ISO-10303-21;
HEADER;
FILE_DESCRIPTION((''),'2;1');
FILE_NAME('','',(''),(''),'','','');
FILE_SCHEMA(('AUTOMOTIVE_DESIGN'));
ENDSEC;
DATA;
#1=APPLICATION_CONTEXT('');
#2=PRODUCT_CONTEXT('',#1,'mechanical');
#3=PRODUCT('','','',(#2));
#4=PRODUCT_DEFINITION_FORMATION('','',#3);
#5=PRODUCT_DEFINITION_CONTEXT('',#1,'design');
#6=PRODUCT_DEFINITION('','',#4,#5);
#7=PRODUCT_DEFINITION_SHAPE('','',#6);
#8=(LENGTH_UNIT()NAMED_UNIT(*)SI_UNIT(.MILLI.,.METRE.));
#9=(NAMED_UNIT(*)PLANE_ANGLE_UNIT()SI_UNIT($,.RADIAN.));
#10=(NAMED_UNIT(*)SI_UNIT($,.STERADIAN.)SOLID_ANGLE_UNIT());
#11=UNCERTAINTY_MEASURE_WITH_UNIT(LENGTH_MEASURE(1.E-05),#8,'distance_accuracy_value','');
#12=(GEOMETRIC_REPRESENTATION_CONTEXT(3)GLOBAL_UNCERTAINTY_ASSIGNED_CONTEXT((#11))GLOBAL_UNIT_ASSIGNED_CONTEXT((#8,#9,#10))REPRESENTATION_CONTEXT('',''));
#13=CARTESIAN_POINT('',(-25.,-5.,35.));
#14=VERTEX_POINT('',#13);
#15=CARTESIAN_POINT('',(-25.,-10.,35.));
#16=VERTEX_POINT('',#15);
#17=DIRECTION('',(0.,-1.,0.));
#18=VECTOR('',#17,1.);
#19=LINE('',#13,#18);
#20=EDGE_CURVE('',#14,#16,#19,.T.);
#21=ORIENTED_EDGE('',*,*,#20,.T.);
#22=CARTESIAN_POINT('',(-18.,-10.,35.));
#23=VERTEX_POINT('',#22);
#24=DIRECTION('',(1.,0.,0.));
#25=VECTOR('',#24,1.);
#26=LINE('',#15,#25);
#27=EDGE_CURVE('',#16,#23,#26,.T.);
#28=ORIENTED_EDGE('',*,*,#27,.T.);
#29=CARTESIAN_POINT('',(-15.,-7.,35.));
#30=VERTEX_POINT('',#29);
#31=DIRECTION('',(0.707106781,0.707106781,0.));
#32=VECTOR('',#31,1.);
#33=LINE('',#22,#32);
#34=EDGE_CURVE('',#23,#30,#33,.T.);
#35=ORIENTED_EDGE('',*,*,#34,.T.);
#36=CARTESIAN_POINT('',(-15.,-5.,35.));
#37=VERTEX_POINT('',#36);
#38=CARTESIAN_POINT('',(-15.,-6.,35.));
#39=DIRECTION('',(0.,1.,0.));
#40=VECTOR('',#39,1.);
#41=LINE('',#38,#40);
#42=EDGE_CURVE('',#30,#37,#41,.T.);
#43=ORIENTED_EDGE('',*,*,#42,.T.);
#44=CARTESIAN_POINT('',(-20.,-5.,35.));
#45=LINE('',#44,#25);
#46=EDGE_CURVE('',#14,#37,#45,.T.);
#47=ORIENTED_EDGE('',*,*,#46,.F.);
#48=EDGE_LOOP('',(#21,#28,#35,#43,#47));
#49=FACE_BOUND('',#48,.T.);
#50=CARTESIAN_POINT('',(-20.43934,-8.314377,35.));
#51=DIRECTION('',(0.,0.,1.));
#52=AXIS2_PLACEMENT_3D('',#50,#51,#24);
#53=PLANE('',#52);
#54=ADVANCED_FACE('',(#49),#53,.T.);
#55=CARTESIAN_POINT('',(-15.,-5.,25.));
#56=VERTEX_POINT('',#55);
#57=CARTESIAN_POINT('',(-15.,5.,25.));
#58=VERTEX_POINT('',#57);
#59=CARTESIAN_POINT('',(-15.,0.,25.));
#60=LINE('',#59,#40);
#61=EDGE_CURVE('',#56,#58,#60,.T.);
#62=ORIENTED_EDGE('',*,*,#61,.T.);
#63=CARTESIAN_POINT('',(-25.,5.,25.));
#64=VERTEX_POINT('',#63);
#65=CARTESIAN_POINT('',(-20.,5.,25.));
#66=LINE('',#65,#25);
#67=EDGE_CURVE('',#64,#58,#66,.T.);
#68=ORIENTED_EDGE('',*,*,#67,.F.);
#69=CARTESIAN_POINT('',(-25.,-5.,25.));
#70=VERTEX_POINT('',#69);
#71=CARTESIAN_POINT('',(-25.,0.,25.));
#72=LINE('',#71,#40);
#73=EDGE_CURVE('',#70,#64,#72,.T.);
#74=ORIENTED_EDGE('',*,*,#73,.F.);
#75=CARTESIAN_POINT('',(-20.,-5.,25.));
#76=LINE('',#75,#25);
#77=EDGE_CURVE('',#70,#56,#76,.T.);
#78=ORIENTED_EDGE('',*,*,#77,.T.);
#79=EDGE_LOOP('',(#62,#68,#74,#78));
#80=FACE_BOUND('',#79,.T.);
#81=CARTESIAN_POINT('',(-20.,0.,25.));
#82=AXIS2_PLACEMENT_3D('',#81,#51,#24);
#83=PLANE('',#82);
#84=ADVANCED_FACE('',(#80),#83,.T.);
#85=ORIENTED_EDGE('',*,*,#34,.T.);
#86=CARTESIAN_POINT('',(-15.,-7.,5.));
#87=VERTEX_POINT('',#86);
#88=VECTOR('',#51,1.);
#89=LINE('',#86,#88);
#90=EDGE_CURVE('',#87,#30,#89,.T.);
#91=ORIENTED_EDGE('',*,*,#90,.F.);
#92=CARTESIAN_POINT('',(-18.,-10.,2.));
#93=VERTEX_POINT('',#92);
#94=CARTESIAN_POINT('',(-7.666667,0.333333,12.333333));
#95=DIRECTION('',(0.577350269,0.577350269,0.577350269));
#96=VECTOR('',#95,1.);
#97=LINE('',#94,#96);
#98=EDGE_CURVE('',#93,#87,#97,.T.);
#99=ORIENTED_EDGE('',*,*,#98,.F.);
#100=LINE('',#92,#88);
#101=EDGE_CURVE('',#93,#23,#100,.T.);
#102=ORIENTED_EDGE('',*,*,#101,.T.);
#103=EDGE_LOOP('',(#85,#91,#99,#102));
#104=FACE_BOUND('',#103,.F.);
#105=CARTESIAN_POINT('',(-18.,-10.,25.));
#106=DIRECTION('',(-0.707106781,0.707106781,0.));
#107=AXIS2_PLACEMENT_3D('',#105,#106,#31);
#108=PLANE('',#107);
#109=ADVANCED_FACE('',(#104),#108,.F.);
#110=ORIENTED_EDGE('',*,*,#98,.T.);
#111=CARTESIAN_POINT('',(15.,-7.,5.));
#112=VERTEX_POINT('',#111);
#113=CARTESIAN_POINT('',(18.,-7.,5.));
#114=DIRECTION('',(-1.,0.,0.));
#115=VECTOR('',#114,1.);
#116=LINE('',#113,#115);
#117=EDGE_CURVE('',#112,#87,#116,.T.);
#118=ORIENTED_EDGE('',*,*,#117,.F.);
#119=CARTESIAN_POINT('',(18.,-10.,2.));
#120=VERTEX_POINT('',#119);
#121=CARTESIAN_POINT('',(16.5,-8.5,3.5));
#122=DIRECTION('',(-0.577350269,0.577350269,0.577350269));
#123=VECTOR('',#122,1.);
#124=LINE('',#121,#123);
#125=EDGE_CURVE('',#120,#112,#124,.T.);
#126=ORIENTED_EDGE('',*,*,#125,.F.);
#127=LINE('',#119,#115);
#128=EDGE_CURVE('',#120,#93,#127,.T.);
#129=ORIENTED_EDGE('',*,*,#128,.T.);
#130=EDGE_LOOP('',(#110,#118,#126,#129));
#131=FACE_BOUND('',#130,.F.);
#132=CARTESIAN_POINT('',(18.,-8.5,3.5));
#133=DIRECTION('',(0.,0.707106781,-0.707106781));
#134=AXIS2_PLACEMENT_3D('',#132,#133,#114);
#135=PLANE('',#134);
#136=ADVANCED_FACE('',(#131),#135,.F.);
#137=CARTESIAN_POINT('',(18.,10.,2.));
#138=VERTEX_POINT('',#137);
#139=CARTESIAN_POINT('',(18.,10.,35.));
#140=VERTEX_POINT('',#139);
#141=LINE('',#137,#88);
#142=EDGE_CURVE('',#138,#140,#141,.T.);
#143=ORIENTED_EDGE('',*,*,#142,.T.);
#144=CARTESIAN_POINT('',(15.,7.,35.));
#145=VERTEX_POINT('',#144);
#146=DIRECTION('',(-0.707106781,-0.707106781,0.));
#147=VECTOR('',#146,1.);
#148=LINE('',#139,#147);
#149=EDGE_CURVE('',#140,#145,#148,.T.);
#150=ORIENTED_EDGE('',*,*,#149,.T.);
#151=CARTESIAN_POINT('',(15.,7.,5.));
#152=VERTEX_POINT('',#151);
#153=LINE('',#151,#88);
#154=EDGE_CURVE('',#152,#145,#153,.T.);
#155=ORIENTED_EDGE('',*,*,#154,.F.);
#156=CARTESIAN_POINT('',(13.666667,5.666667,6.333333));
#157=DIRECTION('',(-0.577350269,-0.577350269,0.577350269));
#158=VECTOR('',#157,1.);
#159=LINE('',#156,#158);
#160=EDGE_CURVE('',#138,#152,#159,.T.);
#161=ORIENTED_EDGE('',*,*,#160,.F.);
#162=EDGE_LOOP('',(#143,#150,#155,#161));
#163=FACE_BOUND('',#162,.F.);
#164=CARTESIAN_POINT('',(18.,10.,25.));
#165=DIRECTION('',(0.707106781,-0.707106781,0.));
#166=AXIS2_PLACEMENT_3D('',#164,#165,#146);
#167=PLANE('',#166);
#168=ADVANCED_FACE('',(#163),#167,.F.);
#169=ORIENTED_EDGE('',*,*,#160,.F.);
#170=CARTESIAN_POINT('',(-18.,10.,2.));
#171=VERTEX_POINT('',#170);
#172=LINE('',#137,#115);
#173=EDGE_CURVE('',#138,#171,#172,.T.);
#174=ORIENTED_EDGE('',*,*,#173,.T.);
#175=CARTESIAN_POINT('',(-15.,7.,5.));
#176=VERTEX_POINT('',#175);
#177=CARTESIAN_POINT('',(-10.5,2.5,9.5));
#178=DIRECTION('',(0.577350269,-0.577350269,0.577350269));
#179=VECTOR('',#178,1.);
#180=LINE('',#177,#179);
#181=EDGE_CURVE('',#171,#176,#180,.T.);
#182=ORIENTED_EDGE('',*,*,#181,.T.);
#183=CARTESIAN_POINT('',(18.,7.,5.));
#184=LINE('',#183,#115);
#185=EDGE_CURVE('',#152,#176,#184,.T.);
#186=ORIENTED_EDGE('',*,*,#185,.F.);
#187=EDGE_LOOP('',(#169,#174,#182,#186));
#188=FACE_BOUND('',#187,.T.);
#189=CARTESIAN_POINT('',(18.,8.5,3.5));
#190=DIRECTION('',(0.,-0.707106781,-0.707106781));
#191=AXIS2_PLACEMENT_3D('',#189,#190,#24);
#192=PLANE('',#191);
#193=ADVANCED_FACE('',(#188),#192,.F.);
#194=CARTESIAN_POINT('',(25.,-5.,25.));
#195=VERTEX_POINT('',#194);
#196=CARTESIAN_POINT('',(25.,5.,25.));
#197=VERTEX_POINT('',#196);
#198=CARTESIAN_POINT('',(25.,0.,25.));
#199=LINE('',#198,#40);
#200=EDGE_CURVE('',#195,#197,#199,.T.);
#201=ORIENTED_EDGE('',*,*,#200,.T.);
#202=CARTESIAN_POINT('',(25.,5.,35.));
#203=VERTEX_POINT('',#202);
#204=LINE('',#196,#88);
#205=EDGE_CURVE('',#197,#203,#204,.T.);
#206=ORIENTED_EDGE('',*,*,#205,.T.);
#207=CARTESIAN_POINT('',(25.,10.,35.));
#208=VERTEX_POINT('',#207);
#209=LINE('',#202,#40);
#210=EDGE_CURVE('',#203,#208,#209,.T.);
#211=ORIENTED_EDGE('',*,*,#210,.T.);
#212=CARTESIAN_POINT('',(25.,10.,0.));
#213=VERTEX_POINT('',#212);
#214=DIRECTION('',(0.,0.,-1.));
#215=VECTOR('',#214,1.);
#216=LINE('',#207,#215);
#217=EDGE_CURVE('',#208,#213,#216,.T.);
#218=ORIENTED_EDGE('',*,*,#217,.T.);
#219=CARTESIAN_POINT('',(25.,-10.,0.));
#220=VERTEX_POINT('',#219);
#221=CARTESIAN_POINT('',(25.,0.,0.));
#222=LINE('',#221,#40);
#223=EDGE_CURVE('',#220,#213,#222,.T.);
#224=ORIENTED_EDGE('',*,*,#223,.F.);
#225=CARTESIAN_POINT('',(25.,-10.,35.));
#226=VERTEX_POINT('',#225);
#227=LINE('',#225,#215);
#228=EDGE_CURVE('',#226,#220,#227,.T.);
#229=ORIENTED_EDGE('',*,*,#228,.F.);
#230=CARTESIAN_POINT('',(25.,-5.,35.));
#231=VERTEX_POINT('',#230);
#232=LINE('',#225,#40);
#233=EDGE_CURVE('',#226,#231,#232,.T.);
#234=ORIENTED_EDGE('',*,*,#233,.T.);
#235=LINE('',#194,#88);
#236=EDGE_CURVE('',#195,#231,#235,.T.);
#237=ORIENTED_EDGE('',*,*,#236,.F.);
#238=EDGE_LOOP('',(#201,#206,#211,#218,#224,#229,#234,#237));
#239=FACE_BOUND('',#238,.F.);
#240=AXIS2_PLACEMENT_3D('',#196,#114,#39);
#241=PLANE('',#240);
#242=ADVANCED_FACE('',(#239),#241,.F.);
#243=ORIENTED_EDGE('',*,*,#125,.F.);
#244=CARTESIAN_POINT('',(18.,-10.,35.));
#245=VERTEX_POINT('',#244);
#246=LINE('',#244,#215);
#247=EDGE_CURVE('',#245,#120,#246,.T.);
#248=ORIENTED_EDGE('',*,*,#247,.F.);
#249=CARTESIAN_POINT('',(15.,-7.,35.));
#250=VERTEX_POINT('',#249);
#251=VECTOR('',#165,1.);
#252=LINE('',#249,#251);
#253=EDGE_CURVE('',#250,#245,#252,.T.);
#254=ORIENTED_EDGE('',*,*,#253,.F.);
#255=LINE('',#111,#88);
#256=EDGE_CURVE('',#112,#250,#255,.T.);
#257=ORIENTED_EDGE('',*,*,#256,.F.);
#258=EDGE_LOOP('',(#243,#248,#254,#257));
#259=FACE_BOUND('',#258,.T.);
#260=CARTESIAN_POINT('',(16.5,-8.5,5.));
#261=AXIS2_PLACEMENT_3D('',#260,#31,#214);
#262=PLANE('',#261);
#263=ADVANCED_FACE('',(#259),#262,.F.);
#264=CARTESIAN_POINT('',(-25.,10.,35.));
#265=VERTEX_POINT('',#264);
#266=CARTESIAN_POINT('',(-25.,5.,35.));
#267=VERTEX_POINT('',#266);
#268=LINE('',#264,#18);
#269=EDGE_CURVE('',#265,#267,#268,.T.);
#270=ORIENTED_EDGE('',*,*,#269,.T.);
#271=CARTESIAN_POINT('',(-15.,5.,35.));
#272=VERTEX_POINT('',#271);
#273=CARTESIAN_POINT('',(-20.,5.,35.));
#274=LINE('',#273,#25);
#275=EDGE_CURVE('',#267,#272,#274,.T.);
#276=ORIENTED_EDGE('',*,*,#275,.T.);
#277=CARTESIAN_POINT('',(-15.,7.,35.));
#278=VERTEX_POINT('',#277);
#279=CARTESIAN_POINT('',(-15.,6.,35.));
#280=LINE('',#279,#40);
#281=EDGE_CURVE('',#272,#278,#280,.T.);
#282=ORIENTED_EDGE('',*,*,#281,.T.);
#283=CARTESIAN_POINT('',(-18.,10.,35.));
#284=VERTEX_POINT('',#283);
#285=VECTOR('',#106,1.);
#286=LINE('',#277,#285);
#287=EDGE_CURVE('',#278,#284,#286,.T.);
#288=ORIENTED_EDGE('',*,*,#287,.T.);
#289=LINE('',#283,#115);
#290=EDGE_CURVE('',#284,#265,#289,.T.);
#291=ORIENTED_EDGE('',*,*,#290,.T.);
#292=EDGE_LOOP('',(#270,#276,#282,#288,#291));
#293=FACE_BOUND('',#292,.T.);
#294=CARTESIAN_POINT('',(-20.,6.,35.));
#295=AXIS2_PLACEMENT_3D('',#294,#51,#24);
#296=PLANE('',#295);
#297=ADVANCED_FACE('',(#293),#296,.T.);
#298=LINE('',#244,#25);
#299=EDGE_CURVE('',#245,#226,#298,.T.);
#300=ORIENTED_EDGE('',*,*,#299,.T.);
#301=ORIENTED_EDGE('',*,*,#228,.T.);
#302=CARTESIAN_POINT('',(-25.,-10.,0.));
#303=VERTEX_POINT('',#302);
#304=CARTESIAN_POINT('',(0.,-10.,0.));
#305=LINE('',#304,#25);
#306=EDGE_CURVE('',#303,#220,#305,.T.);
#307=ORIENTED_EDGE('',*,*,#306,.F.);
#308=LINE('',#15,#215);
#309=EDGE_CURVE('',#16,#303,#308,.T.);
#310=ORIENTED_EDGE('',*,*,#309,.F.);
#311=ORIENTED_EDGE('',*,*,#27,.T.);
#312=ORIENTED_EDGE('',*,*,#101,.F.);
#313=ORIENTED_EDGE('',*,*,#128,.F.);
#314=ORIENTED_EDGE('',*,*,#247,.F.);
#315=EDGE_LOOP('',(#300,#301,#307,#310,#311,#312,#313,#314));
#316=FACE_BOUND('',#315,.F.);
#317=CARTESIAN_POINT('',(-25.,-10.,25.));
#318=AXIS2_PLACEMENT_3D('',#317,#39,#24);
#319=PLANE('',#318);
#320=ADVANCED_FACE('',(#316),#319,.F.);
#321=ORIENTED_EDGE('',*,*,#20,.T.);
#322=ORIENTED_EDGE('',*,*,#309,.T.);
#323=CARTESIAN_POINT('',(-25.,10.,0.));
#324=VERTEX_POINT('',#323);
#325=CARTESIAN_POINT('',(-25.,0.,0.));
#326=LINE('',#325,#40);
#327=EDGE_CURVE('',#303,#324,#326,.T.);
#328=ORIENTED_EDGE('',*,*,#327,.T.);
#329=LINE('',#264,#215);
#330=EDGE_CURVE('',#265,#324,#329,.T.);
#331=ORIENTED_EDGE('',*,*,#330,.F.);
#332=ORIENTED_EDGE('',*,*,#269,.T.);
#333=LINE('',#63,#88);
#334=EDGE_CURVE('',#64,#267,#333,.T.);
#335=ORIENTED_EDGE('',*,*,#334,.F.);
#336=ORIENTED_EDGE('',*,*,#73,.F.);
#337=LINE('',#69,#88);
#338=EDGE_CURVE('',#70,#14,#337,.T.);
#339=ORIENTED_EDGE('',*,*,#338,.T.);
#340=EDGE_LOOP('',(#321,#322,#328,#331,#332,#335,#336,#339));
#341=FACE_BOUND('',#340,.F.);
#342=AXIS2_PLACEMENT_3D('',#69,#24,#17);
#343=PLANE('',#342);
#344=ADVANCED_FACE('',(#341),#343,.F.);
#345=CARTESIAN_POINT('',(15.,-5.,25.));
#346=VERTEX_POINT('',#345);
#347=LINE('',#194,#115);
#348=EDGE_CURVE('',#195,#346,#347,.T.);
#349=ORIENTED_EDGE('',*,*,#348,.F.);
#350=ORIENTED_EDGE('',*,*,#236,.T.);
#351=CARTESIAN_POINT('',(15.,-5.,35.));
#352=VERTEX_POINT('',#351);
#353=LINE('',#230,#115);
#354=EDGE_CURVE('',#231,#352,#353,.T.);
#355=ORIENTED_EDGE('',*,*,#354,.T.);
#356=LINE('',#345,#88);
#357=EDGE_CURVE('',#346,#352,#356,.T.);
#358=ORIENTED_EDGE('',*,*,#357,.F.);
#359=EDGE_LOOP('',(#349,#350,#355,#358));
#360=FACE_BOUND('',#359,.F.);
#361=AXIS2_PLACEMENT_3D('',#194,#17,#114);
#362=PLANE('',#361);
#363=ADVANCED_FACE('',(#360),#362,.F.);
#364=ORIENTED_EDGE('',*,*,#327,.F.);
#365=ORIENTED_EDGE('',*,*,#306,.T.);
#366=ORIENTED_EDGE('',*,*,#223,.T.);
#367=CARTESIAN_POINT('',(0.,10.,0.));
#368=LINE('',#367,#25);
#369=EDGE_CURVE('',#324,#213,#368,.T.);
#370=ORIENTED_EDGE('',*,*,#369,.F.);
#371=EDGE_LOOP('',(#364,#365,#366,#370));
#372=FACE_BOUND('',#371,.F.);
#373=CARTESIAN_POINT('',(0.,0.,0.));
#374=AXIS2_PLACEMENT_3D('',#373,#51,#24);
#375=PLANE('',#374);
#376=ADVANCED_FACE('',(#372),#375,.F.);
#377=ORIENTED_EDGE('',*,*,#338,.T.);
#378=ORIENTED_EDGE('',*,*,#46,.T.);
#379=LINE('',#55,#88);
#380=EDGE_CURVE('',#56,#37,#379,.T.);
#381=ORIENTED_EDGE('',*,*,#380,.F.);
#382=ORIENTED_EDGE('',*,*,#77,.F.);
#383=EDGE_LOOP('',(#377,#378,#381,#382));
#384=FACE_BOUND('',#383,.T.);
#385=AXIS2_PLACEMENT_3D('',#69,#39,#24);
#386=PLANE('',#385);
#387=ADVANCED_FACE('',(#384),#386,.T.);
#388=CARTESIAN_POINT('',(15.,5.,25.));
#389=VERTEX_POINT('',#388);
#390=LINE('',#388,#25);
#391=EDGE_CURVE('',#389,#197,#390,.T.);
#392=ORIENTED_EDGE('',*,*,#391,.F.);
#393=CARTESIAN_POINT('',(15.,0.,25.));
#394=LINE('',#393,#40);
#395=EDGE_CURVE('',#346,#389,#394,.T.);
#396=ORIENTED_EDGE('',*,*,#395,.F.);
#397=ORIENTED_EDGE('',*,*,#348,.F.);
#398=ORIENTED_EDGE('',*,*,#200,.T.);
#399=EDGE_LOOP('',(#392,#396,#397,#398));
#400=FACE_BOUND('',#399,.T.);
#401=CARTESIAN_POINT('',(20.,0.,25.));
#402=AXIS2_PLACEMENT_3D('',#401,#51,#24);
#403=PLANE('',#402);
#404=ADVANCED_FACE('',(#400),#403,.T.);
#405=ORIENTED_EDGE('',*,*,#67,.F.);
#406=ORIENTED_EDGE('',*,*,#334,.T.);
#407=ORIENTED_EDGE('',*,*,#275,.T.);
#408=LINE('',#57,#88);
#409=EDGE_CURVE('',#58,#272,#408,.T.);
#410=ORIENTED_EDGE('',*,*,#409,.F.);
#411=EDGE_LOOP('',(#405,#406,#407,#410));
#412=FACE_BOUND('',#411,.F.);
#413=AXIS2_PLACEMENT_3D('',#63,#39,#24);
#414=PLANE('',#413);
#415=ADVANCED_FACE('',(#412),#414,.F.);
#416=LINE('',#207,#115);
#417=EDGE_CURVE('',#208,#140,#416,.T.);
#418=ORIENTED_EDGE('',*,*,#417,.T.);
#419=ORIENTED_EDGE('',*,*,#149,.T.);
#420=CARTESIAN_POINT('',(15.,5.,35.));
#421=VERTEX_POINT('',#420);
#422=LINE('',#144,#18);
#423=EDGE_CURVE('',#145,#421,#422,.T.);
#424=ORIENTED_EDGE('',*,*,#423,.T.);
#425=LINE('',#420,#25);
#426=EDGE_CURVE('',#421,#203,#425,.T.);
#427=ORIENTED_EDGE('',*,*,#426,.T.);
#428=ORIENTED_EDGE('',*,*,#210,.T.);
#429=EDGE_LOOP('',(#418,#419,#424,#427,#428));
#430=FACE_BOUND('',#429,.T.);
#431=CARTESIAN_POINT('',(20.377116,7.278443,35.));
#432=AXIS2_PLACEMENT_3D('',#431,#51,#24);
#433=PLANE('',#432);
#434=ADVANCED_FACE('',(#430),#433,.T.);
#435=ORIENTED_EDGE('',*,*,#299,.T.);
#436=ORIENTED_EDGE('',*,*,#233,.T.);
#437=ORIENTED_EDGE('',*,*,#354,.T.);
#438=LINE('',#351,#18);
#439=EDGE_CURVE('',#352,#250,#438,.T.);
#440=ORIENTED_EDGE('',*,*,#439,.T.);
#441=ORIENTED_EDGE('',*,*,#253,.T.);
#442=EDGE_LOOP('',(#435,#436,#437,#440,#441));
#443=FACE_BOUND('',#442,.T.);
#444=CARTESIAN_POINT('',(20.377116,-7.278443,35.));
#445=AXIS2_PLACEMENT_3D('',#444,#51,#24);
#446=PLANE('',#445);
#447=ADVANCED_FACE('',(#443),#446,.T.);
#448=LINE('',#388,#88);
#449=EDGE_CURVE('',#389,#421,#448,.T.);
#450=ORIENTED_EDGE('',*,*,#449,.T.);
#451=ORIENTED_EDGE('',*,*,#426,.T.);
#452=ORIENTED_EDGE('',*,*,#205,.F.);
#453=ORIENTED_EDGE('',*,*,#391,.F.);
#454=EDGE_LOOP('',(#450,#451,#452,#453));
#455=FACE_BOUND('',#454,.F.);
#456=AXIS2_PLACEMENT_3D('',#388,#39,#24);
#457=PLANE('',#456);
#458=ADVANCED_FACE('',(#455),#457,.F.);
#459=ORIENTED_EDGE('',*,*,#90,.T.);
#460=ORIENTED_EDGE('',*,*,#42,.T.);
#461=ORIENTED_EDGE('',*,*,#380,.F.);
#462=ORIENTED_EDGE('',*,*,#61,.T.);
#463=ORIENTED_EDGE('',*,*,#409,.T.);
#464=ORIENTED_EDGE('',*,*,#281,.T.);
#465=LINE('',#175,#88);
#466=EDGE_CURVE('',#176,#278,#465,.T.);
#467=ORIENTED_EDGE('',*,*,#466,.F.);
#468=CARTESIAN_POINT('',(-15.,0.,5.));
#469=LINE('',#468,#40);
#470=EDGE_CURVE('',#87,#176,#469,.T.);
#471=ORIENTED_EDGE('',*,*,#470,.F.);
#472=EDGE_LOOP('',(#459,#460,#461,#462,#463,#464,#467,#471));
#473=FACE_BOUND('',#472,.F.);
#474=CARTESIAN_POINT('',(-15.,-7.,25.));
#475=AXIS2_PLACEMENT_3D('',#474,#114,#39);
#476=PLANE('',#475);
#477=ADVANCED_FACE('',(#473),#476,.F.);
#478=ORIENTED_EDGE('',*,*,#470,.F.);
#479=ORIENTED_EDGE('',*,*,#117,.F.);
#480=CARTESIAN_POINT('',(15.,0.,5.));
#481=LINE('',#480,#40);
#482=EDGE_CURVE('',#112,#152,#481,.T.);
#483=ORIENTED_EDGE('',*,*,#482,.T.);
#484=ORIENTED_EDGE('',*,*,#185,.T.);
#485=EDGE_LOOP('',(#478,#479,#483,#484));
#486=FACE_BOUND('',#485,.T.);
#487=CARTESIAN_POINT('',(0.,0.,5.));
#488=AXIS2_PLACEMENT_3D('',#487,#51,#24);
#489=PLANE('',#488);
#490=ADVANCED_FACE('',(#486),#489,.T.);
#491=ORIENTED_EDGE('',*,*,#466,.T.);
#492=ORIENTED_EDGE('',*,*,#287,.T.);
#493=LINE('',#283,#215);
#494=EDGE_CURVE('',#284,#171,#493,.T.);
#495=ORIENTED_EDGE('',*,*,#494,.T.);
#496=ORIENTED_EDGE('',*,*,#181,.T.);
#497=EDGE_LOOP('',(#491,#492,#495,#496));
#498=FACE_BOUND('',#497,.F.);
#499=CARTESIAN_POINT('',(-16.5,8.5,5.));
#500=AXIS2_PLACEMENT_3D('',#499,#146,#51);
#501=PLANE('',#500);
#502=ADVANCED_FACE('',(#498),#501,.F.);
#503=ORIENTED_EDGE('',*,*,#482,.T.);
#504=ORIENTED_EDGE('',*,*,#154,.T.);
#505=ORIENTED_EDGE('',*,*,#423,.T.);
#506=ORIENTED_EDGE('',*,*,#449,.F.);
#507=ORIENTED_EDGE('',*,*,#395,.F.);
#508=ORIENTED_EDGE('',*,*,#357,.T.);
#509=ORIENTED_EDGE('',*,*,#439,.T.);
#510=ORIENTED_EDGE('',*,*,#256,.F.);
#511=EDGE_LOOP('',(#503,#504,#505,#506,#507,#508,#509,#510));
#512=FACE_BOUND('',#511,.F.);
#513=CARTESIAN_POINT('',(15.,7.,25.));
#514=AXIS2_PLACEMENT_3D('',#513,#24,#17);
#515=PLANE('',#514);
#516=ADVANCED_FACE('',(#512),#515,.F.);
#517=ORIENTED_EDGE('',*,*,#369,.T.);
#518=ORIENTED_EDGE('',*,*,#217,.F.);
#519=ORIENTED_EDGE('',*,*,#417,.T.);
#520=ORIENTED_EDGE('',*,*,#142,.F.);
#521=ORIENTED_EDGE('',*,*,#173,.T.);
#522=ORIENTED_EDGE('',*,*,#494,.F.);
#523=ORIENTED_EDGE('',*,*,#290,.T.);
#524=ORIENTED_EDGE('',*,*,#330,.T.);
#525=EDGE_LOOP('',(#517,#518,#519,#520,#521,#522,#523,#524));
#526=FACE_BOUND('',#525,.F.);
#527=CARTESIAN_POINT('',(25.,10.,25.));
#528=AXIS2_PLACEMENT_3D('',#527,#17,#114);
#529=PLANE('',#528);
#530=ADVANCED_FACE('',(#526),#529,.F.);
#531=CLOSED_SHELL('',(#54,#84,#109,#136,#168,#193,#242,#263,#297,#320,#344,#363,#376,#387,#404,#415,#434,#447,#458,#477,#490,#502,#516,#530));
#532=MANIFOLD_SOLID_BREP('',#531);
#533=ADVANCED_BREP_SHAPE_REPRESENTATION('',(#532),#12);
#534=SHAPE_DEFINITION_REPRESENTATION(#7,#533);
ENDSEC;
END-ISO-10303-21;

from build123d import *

# Parameters (mm, degrees)
F0_W     = 50
F0_H     = 20
F1_DEPTH = 5
F2_W     = 10
F2_H     = 20
F3_DEPTH = 20
F4_SIZE  = 3
F5_W     = 10
F5_H     = 2
F6_DEPTH = 10
F8_DEPTH = 10
F9_SIZE  = 3


with BuildPart() as f1:
    # F0 (on Top) → F1 (new body)
    with BuildSketch(Plane.XY):
        Rectangle(F0_W, F0_H)
    extrude(amount=F1_DEPTH)

    # F2 (on face) → F3 (join)
    with BuildSketch(Plane.XY.offset(5)):
        with Locations((-20, 0)):
            Rectangle(F2_W, F2_H)
        with Locations((20, 0)):
            Rectangle(F2_W, F2_H)
    extrude(amount=F3_DEPTH)

    # F4
    f4_edges = [f1.edges().sort_by_distance(p)[0] for p in [
        (-15, -10, 15),
        (-15, 10, 15),
        (15, 10, 15),
        (15, -10, 15),
    ]]
    chamfer(f4_edges, length=F4_SIZE)

    # F5 (on face) → F6 (join)
    with BuildSketch(Plane.XY.offset(25)):
        Polygon((-25, -10), (-18, -10), (-15, -7), (-25, -7), align=None)
        with Locations((-20, -6)):
            Rectangle(F5_W, F5_H)
        with Locations((-20, 6)):
            Rectangle(F5_W, F5_H)
        Polygon((-25, 7), (-15, 7), (-18, 10), (-25, 10), align=None)
    extrude(amount=F6_DEPTH)

    # F7 (on face) → F8 (join)
    with BuildSketch(Plane.XY.offset(25)):
        Polygon((25, 10), (18, 10), (15, 7), (15, 5), (25, 5), align=None)
        Polygon((25, -5), (15, -5), (15, -7), (18, -10), (25, -10), align=None)
    extrude(amount=F8_DEPTH)

    # F9
    f9_edges = [f1.edges().sort_by_distance(p)[0] for p in [
        (0, -10, 5),
        (0, 10, 5),
    ]]
    chamfer(f9_edges, length=F9_SIZE)


solid = f1.part
